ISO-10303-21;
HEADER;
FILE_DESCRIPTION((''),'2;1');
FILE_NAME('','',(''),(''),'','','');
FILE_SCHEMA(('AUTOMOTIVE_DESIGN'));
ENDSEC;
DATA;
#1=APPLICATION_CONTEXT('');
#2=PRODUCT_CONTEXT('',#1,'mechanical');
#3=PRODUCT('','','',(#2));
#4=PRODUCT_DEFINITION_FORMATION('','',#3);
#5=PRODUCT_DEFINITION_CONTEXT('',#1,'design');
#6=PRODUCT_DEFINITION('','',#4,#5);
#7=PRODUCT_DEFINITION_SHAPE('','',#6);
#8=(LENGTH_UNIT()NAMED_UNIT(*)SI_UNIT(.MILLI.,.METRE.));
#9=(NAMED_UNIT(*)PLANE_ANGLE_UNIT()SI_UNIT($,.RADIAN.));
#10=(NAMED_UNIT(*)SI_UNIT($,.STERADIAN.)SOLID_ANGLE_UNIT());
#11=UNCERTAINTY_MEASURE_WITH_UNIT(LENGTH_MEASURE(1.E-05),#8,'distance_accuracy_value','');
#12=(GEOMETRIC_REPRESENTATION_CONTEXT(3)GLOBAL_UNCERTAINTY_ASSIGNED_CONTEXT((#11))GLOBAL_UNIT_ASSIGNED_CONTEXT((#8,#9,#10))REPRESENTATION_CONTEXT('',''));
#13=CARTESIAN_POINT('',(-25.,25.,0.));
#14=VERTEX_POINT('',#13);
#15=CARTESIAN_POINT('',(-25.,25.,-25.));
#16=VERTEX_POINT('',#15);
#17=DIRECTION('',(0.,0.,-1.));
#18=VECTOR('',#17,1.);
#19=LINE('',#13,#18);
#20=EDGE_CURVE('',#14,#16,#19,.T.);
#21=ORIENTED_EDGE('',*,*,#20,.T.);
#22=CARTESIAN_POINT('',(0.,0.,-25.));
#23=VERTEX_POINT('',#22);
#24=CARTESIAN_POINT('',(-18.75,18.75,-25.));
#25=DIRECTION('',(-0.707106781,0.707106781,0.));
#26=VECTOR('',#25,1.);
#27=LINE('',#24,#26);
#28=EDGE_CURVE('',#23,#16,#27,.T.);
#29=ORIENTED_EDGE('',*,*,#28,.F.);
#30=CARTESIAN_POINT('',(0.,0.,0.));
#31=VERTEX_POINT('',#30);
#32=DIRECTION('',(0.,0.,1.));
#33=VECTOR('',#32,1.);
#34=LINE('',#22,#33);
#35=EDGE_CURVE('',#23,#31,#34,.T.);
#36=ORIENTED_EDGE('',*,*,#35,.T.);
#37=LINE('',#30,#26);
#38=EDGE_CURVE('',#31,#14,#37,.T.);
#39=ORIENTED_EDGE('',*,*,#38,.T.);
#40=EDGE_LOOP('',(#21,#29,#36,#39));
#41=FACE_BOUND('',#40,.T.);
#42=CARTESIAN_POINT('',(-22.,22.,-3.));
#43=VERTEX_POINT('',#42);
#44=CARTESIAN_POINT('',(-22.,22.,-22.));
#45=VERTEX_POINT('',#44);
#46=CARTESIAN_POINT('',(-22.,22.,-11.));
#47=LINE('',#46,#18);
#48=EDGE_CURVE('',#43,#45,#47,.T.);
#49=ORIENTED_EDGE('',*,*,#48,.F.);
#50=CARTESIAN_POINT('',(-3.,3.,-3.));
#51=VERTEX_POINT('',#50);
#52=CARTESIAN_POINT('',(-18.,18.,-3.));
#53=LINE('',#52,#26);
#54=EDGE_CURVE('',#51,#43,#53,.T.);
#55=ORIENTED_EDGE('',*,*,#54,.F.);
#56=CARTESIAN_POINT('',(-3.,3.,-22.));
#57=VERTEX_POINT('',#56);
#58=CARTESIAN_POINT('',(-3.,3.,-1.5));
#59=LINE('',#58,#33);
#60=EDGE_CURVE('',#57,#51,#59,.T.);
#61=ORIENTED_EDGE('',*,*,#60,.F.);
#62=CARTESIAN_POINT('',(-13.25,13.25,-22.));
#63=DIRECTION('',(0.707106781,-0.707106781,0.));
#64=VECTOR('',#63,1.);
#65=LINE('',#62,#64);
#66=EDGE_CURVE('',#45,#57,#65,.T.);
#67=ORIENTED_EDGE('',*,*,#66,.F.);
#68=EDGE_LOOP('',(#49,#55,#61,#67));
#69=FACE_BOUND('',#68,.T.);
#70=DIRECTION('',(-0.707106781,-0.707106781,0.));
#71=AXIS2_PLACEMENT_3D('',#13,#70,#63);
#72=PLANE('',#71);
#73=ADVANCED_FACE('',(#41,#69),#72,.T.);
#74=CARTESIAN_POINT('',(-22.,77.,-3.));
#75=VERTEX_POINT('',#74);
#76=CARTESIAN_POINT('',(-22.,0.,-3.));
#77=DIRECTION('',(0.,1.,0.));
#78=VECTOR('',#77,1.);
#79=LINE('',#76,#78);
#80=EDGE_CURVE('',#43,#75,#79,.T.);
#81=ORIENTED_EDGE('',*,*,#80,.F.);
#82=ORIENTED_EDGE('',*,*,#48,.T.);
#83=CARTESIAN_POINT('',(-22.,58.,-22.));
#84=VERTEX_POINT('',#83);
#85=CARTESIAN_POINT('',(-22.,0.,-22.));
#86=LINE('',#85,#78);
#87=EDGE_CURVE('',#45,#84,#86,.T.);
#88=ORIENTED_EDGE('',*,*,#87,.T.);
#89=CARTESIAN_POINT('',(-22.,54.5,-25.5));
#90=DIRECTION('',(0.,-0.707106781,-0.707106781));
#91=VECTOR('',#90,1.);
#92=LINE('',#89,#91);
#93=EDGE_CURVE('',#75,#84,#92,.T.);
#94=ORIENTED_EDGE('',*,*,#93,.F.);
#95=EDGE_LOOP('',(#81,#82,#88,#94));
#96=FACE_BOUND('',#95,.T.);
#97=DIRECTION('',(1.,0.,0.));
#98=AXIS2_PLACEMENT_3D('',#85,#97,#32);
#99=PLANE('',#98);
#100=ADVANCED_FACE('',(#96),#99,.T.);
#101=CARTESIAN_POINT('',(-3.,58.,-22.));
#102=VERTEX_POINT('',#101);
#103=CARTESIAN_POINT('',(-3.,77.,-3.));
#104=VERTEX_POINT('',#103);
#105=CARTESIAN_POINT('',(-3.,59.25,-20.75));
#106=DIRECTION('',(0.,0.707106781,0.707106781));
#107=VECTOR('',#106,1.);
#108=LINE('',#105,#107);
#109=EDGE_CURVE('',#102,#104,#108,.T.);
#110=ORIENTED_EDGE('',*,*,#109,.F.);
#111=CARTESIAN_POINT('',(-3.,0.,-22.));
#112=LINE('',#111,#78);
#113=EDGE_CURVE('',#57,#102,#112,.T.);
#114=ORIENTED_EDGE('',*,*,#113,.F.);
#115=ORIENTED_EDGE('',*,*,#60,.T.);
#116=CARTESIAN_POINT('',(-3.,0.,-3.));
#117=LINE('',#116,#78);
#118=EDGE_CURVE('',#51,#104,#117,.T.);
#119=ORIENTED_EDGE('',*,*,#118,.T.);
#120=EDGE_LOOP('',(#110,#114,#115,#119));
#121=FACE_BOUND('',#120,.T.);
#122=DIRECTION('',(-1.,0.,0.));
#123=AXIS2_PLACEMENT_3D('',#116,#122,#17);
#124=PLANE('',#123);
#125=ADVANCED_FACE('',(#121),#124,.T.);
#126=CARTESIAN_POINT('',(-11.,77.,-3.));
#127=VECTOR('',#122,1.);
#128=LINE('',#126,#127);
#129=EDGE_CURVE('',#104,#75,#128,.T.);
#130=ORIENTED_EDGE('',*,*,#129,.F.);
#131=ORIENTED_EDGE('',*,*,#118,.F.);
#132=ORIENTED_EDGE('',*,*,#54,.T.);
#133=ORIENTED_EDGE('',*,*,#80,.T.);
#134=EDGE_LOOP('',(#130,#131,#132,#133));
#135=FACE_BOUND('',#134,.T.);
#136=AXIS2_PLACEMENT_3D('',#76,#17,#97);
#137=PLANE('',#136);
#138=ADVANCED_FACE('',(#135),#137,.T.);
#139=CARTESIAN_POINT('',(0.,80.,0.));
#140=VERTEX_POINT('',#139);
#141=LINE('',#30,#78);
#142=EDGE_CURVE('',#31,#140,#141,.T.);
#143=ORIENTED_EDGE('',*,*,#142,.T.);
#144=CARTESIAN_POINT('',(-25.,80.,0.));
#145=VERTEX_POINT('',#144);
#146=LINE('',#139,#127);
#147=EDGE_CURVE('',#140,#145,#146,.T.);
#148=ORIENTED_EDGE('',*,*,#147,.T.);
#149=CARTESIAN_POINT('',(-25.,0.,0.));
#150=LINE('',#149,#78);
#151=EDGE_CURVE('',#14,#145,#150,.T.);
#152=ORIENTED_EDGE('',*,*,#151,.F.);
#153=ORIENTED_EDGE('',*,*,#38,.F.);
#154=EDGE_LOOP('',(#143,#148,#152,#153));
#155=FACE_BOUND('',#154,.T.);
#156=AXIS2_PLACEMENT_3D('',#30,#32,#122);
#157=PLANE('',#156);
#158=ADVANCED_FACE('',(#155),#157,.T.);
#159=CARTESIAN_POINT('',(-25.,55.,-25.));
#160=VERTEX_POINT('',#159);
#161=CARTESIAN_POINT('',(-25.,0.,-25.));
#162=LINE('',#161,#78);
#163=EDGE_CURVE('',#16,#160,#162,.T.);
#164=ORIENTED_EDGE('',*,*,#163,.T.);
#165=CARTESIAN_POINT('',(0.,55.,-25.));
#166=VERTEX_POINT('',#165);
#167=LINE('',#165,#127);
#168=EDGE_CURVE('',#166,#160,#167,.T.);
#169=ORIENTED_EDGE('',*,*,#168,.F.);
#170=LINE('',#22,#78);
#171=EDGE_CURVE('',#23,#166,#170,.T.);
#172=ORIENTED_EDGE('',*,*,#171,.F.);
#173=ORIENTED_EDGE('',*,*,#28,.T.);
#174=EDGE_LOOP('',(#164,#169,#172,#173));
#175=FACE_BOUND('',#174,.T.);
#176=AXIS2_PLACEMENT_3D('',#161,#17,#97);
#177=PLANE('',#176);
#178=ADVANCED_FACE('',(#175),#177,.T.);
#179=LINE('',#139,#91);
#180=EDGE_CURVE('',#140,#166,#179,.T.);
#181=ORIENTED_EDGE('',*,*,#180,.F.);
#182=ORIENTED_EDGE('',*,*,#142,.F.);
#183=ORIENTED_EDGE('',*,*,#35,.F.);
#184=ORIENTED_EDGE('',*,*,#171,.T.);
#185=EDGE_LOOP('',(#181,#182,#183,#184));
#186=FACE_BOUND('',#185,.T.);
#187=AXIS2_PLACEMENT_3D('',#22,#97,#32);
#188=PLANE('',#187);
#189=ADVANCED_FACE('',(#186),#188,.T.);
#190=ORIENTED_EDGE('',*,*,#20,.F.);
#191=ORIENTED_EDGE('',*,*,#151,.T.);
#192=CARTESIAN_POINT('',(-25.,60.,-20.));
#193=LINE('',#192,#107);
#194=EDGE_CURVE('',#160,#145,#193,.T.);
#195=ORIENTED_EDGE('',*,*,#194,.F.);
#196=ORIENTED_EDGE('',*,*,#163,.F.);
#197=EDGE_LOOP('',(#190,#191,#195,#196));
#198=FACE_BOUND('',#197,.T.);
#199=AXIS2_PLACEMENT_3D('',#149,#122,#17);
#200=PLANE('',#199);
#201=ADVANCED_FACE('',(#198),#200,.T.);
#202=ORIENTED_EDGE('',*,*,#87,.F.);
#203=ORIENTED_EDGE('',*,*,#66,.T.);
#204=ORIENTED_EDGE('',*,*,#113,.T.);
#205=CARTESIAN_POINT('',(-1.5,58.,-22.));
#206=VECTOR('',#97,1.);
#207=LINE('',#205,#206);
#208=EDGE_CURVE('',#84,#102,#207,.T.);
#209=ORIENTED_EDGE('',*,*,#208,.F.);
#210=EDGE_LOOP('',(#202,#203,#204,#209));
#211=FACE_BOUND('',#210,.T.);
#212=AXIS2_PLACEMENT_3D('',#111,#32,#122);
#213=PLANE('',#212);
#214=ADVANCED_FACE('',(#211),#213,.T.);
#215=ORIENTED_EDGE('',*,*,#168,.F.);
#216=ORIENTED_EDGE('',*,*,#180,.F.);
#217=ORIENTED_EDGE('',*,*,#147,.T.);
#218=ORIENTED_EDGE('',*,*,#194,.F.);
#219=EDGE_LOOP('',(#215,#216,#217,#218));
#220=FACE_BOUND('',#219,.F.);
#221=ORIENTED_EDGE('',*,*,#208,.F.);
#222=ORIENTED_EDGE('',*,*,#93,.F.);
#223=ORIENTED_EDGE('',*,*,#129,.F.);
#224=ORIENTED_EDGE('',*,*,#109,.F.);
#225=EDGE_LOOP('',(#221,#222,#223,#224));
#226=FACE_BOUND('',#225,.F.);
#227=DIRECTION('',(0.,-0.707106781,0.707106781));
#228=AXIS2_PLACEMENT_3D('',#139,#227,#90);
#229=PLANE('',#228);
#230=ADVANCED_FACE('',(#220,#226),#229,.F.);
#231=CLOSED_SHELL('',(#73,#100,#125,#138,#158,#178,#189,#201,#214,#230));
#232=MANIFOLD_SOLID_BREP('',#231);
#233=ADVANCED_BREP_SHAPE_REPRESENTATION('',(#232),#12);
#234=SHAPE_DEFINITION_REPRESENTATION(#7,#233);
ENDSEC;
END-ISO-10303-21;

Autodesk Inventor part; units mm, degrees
ref_plane "YZ Plane" through (0, 0, 0) normal (1, 0, 0) x (0, 1, 0)
ref_plane "XZ Plane" through (0, 0, 0) normal (0, 1, 0) x (-1, 0, 0)
ref_plane "XY Plane" through (0, 0, 0) normal (0, 0, 1) x (1, 0, 0)
sketch "Sketch1" plane through (0, 0, 0) normal (0, 1, 0) x (-1, 0, 0)
  line L0 (0, 0) -> (25, 0)
  line L1 (25, 0) -> (25, -25)
  line L2 (25, -25) -> (0, -25)
  line L3 (0, -25) -> (0, 0)
  line L4 (22, -22) -> (22, -3)
  line L5 (22, -3) -> (3, -3)
  line L6 (3, -3) -> (3, -22)
  line L7 (3, -22) -> (22, -22)
  dimension "d0" = 25
  dimension "d1" = 25
  dimension "d2" = 3
extrude "Extrusion1" add sketch "Sketch1" along normal blind 80
sketch "Sketch2" plane through (0, 0, 0) normal (1, 0, 0) x (0, 0, -1)
  line L0 (0, 0) -> (25, 0) projected
  line L1 (25, 0) -> (25, 80) projected
  line L2 (0, 80) -> (25, 80) projected
  line L3 (0, 0) -> (0, 80) projected
  line L4 (0, 0) -> (0, 80) projected
  line L5 (0, 80) -> (25, 55)
  line L6 (0, 80) -> (35.3553, 80) construction
  dimension "d5" = 45
extrude "Extrusion2" cut sketch "Sketch2" against normal blind 80 contours L2 L1 L5
sketch "Sketch3" plane through (-25, 0, 0) normal (0, 0, 1) x (1, 0, 0)
  line L0 (3, 0) -> (3, 77) projected
  line L1 (0, 0) -> (25, 0) projected
  line L2 (25, 0) -> (25, 80) projected
  line L3 (0, 80) -> (25, 80) projected
  line L4 (0, 0) -> (0, 80) projected
  line L5 (25, 0) -> (0, 0) projected
  line L6 (0, 25) -> (25, 0)
  dimension "d8" = 45
extrude "Extrusion3" cut sketch "Sketch3" against normal blind 44.75 contours L1 L4 L6 L0 | L0 L6 L1
properties part number "P404" material "Aluminum 6061"
